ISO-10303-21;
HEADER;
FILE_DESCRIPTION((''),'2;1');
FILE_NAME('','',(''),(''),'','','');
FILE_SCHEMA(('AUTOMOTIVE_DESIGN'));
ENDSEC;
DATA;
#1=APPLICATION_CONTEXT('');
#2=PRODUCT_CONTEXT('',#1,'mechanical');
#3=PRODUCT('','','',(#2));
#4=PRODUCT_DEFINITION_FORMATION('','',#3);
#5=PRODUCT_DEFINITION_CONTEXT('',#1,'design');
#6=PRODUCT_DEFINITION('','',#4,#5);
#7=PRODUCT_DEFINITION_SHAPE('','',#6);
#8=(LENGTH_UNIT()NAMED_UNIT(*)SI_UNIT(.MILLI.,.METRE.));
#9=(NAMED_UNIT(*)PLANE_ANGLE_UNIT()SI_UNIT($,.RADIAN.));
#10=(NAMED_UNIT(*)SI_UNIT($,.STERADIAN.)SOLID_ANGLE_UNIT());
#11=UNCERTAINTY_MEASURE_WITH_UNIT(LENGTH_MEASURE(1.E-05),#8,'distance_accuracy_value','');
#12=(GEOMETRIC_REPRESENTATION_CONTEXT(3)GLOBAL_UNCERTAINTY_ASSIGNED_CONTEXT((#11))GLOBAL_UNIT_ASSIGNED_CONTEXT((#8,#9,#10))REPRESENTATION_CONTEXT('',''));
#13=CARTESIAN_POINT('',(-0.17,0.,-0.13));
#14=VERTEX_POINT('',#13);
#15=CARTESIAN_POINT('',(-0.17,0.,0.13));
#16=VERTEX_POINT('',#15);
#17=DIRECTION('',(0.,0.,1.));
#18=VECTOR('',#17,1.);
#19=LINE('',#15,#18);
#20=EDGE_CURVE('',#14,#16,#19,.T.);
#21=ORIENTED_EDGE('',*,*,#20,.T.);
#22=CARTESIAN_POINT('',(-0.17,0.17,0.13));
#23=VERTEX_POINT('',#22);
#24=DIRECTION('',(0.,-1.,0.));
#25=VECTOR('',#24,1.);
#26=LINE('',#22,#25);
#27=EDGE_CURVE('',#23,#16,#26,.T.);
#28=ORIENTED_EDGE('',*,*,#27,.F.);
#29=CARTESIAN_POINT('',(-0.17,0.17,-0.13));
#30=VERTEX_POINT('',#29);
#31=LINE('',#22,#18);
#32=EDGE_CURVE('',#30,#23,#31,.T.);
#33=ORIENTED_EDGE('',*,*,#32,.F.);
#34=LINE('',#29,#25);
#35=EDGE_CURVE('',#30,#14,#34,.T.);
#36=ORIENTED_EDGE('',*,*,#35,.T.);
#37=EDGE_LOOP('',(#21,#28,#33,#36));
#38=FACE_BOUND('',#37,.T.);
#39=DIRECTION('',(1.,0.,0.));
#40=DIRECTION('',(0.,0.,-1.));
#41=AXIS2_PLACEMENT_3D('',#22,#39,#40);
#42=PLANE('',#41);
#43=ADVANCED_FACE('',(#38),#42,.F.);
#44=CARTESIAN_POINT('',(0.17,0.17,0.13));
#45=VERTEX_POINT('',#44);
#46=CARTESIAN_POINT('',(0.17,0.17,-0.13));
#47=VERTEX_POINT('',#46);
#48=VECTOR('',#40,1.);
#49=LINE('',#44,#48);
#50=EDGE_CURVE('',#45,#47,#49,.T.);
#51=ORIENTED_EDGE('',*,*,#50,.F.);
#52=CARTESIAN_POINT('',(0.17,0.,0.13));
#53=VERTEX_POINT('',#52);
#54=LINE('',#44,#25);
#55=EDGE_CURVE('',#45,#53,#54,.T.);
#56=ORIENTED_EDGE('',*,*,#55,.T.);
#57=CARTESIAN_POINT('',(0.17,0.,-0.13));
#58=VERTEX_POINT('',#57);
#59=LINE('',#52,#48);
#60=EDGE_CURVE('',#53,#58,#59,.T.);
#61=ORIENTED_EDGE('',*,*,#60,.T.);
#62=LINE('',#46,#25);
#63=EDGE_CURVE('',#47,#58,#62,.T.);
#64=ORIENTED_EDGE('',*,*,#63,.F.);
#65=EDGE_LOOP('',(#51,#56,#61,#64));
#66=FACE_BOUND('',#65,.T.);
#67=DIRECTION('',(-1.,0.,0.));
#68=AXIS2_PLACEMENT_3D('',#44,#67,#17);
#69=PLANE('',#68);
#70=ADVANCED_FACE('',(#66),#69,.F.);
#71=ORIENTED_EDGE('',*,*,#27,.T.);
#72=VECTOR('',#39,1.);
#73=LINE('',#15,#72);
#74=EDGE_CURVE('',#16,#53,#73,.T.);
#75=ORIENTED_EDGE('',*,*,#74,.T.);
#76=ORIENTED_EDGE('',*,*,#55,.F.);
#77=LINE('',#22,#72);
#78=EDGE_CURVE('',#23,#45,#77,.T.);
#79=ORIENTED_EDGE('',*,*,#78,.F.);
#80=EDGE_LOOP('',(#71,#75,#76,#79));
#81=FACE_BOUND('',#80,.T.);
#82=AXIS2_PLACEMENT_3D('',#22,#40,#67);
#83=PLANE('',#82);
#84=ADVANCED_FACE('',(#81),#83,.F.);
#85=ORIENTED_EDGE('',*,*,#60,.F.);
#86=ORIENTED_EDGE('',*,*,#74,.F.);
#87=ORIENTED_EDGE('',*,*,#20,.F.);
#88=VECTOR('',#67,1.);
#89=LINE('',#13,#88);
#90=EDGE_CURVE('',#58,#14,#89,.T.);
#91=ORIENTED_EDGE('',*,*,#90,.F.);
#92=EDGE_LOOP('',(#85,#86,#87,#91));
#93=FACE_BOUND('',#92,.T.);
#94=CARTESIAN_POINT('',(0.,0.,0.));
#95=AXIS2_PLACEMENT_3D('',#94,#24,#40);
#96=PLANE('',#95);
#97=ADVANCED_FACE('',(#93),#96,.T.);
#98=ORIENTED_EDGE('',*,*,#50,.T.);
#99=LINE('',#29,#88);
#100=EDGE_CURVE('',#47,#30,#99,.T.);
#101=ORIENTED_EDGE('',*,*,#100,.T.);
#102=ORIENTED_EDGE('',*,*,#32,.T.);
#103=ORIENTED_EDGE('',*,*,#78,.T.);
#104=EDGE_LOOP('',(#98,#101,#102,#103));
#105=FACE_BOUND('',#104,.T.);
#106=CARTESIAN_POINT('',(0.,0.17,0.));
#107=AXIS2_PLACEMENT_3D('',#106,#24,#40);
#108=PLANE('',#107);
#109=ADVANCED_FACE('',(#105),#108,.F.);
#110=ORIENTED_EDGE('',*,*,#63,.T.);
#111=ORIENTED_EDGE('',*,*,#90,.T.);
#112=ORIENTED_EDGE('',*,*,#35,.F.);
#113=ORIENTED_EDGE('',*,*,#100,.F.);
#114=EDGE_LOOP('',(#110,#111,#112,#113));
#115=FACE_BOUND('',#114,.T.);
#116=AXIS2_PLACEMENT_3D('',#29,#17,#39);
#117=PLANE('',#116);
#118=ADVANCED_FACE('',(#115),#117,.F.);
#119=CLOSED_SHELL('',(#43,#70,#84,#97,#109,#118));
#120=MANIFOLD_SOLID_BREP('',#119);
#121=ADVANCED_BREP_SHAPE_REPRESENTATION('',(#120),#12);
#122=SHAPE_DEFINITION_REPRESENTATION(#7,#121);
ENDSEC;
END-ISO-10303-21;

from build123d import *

# Parameters (mm, degrees)
SKETCH1_W           = 0.34
SKETCH1_H           = 0.26
BOSS_EXTRUDE1_DEPTH = 0.17


with BuildPart() as part:
    # Sketch1 → Boss-Extrude1 (new body)
    with BuildSketch(Plane(origin=(0, 0, 0), x_dir=(1, 0, 0), z_dir=(0, 1, 0))):
        Rectangle(SKETCH1_W, SKETCH1_H)
    extrude(amount=BOSS_EXTRUDE1_DEPTH)


solid = part.part
